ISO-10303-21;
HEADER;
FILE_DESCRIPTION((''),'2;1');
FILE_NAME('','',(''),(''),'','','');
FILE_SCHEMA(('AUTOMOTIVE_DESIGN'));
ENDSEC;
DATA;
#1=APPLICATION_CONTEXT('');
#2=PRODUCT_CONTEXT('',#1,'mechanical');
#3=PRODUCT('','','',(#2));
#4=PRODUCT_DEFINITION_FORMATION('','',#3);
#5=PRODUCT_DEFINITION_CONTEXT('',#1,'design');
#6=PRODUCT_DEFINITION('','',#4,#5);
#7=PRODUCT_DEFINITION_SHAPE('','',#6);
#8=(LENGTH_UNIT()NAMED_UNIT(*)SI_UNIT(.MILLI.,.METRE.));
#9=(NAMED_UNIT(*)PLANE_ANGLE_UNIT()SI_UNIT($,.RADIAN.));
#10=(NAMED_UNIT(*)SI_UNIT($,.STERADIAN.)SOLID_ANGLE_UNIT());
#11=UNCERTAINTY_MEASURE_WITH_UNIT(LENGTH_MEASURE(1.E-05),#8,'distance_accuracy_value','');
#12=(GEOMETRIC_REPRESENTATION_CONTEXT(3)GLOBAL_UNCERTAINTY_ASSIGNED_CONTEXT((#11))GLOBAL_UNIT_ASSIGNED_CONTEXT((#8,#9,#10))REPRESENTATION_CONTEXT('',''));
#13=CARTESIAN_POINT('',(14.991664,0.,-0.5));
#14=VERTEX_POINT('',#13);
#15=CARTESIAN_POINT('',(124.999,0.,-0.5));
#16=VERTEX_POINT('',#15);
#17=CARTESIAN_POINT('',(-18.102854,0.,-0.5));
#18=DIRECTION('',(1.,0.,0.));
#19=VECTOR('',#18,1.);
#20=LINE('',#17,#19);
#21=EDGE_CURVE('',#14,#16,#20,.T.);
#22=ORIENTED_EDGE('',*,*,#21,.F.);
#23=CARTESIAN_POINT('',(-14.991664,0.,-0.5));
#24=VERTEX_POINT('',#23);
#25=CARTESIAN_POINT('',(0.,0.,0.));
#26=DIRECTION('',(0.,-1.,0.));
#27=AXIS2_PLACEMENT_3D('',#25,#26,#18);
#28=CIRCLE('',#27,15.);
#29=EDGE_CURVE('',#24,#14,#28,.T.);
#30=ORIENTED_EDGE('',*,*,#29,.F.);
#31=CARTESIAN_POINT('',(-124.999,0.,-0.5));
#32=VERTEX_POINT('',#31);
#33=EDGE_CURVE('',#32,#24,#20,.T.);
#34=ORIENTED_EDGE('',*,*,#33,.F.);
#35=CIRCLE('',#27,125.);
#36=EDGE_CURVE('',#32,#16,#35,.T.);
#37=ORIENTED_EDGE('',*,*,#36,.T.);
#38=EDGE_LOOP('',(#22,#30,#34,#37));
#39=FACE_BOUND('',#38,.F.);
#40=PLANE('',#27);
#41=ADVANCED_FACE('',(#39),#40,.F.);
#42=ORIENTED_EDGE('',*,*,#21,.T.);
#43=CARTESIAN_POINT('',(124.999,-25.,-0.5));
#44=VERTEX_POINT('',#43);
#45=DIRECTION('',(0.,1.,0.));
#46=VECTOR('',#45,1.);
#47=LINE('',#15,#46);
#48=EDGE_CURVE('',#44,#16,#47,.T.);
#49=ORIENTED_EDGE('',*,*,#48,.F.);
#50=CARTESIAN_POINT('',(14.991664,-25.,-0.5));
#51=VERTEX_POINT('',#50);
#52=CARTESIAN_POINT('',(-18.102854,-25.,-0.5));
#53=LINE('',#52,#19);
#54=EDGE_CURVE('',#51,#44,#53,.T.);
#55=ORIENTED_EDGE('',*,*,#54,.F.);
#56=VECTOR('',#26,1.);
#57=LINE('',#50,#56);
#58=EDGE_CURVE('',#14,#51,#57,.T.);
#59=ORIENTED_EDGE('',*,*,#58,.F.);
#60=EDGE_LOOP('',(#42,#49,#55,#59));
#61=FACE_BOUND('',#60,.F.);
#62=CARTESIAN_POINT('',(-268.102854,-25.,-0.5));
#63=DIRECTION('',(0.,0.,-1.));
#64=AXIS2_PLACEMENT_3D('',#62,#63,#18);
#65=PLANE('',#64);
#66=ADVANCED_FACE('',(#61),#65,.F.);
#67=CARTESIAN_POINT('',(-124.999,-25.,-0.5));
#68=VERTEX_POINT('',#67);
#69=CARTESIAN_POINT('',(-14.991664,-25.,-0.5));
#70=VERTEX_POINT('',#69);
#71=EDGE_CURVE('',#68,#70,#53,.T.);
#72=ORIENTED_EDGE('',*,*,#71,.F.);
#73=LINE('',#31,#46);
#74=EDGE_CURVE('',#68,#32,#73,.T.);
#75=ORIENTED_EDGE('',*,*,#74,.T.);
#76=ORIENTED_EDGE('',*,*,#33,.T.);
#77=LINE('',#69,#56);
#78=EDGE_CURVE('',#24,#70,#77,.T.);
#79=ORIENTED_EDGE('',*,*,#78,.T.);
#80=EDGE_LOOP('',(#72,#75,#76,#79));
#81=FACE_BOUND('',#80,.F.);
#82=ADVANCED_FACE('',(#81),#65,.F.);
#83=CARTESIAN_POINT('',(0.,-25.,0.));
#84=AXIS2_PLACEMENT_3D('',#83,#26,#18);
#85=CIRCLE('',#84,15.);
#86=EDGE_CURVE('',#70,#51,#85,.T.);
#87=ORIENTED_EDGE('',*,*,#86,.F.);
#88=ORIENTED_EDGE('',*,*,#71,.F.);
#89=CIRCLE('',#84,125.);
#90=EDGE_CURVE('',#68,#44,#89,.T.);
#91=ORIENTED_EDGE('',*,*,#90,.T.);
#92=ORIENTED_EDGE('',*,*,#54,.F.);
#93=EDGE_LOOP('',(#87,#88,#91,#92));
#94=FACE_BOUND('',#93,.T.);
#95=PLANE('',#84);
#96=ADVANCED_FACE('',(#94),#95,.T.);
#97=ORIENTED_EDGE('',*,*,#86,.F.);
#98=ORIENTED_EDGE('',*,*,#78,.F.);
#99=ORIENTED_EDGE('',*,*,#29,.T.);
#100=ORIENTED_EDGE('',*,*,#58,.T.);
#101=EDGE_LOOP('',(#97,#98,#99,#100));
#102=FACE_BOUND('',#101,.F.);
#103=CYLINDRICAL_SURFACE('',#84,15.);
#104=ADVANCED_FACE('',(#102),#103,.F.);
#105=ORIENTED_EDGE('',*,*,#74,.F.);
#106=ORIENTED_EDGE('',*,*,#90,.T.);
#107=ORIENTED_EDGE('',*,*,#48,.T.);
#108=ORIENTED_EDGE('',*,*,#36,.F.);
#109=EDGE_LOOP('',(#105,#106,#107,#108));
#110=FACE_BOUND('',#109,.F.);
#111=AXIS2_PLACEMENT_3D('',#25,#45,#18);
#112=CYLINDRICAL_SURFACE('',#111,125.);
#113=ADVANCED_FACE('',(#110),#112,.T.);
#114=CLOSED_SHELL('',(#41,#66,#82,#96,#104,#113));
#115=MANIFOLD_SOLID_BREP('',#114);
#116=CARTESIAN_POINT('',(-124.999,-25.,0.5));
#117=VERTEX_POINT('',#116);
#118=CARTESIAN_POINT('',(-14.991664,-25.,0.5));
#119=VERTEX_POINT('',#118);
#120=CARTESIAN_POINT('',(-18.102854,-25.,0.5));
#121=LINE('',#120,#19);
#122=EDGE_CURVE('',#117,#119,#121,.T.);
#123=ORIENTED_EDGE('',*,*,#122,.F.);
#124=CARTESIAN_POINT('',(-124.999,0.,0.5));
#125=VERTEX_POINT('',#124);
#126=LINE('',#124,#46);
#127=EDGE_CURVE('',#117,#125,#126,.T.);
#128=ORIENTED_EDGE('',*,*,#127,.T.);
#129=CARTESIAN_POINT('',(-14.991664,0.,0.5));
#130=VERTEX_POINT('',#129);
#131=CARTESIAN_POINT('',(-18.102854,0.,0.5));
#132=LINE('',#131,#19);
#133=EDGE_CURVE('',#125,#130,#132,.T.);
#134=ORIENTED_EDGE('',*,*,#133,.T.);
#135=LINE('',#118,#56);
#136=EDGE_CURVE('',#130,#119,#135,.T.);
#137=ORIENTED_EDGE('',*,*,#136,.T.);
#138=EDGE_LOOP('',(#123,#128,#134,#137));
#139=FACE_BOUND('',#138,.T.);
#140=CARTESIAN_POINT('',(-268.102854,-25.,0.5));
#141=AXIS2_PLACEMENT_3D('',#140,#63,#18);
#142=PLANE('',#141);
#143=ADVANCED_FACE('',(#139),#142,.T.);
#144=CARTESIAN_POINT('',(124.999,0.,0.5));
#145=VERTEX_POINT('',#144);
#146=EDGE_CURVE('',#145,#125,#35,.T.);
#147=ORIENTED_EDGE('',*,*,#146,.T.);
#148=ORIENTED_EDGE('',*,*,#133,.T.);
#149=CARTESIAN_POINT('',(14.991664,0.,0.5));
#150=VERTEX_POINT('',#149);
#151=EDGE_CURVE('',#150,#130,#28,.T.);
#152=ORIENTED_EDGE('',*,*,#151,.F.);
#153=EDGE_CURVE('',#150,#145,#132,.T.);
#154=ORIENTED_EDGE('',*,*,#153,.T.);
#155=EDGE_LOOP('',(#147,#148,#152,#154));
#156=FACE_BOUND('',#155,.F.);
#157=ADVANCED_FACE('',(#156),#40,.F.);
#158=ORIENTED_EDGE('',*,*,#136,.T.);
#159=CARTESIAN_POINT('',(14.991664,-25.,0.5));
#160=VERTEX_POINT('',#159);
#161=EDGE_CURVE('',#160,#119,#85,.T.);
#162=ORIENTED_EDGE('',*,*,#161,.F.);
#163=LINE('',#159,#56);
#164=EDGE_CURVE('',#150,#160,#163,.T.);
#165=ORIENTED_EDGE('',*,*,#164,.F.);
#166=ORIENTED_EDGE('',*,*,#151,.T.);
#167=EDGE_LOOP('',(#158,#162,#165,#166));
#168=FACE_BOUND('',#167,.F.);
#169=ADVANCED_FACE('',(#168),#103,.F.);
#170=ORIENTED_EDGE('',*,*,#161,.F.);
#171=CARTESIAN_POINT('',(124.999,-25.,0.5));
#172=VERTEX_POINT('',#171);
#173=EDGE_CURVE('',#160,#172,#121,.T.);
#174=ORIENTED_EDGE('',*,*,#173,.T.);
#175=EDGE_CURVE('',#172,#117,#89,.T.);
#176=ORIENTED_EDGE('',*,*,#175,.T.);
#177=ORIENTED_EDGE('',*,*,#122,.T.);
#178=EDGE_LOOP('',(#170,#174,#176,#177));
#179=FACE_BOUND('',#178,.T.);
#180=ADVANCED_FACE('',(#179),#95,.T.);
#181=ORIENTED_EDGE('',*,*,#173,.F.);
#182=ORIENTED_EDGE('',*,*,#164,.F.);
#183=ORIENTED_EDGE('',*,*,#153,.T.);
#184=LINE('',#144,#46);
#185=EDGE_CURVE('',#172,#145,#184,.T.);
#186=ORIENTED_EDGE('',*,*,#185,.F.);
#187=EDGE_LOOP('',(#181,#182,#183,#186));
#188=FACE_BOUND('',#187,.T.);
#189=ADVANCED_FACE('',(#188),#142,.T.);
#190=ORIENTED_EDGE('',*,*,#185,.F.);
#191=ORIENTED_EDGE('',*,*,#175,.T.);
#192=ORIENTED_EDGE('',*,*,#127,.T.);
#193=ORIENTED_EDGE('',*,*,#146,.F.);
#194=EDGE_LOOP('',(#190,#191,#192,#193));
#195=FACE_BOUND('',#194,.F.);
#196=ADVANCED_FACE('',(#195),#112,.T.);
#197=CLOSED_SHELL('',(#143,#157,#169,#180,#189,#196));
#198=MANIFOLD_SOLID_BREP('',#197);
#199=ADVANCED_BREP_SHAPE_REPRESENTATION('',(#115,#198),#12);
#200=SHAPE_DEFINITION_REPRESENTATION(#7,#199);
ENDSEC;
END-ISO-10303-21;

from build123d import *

# Parameters (mm, degrees)
F0_R     = 125
F1_DEPTH = 25
F2_R     = 15
F3_DEPTH = 25
F4_W     = 500
F4_H     = 1
F5_DEPTH = 25


with BuildPart() as f1:
    # F0 (on Front) → F1 (new body)
    with BuildSketch(Plane.XZ):
        Circle(F0_R)
    extrude(amount=F1_DEPTH)

    # F2 (on face) → F3 (cut)
    with BuildSketch(Plane.XZ.offset(25)):
        Circle(F2_R)
    extrude(amount=-F3_DEPTH, mode=Mode.SUBTRACT)

    # F4 (on face) → F5 (cut)
    with BuildSketch(Plane.XZ.offset(25)):
        with Locations((-18.102854, 0)):
            Rectangle(F4_W, F4_H)
    extrude(amount=-F5_DEPTH, mode=Mode.SUBTRACT)


solid = f1.part
